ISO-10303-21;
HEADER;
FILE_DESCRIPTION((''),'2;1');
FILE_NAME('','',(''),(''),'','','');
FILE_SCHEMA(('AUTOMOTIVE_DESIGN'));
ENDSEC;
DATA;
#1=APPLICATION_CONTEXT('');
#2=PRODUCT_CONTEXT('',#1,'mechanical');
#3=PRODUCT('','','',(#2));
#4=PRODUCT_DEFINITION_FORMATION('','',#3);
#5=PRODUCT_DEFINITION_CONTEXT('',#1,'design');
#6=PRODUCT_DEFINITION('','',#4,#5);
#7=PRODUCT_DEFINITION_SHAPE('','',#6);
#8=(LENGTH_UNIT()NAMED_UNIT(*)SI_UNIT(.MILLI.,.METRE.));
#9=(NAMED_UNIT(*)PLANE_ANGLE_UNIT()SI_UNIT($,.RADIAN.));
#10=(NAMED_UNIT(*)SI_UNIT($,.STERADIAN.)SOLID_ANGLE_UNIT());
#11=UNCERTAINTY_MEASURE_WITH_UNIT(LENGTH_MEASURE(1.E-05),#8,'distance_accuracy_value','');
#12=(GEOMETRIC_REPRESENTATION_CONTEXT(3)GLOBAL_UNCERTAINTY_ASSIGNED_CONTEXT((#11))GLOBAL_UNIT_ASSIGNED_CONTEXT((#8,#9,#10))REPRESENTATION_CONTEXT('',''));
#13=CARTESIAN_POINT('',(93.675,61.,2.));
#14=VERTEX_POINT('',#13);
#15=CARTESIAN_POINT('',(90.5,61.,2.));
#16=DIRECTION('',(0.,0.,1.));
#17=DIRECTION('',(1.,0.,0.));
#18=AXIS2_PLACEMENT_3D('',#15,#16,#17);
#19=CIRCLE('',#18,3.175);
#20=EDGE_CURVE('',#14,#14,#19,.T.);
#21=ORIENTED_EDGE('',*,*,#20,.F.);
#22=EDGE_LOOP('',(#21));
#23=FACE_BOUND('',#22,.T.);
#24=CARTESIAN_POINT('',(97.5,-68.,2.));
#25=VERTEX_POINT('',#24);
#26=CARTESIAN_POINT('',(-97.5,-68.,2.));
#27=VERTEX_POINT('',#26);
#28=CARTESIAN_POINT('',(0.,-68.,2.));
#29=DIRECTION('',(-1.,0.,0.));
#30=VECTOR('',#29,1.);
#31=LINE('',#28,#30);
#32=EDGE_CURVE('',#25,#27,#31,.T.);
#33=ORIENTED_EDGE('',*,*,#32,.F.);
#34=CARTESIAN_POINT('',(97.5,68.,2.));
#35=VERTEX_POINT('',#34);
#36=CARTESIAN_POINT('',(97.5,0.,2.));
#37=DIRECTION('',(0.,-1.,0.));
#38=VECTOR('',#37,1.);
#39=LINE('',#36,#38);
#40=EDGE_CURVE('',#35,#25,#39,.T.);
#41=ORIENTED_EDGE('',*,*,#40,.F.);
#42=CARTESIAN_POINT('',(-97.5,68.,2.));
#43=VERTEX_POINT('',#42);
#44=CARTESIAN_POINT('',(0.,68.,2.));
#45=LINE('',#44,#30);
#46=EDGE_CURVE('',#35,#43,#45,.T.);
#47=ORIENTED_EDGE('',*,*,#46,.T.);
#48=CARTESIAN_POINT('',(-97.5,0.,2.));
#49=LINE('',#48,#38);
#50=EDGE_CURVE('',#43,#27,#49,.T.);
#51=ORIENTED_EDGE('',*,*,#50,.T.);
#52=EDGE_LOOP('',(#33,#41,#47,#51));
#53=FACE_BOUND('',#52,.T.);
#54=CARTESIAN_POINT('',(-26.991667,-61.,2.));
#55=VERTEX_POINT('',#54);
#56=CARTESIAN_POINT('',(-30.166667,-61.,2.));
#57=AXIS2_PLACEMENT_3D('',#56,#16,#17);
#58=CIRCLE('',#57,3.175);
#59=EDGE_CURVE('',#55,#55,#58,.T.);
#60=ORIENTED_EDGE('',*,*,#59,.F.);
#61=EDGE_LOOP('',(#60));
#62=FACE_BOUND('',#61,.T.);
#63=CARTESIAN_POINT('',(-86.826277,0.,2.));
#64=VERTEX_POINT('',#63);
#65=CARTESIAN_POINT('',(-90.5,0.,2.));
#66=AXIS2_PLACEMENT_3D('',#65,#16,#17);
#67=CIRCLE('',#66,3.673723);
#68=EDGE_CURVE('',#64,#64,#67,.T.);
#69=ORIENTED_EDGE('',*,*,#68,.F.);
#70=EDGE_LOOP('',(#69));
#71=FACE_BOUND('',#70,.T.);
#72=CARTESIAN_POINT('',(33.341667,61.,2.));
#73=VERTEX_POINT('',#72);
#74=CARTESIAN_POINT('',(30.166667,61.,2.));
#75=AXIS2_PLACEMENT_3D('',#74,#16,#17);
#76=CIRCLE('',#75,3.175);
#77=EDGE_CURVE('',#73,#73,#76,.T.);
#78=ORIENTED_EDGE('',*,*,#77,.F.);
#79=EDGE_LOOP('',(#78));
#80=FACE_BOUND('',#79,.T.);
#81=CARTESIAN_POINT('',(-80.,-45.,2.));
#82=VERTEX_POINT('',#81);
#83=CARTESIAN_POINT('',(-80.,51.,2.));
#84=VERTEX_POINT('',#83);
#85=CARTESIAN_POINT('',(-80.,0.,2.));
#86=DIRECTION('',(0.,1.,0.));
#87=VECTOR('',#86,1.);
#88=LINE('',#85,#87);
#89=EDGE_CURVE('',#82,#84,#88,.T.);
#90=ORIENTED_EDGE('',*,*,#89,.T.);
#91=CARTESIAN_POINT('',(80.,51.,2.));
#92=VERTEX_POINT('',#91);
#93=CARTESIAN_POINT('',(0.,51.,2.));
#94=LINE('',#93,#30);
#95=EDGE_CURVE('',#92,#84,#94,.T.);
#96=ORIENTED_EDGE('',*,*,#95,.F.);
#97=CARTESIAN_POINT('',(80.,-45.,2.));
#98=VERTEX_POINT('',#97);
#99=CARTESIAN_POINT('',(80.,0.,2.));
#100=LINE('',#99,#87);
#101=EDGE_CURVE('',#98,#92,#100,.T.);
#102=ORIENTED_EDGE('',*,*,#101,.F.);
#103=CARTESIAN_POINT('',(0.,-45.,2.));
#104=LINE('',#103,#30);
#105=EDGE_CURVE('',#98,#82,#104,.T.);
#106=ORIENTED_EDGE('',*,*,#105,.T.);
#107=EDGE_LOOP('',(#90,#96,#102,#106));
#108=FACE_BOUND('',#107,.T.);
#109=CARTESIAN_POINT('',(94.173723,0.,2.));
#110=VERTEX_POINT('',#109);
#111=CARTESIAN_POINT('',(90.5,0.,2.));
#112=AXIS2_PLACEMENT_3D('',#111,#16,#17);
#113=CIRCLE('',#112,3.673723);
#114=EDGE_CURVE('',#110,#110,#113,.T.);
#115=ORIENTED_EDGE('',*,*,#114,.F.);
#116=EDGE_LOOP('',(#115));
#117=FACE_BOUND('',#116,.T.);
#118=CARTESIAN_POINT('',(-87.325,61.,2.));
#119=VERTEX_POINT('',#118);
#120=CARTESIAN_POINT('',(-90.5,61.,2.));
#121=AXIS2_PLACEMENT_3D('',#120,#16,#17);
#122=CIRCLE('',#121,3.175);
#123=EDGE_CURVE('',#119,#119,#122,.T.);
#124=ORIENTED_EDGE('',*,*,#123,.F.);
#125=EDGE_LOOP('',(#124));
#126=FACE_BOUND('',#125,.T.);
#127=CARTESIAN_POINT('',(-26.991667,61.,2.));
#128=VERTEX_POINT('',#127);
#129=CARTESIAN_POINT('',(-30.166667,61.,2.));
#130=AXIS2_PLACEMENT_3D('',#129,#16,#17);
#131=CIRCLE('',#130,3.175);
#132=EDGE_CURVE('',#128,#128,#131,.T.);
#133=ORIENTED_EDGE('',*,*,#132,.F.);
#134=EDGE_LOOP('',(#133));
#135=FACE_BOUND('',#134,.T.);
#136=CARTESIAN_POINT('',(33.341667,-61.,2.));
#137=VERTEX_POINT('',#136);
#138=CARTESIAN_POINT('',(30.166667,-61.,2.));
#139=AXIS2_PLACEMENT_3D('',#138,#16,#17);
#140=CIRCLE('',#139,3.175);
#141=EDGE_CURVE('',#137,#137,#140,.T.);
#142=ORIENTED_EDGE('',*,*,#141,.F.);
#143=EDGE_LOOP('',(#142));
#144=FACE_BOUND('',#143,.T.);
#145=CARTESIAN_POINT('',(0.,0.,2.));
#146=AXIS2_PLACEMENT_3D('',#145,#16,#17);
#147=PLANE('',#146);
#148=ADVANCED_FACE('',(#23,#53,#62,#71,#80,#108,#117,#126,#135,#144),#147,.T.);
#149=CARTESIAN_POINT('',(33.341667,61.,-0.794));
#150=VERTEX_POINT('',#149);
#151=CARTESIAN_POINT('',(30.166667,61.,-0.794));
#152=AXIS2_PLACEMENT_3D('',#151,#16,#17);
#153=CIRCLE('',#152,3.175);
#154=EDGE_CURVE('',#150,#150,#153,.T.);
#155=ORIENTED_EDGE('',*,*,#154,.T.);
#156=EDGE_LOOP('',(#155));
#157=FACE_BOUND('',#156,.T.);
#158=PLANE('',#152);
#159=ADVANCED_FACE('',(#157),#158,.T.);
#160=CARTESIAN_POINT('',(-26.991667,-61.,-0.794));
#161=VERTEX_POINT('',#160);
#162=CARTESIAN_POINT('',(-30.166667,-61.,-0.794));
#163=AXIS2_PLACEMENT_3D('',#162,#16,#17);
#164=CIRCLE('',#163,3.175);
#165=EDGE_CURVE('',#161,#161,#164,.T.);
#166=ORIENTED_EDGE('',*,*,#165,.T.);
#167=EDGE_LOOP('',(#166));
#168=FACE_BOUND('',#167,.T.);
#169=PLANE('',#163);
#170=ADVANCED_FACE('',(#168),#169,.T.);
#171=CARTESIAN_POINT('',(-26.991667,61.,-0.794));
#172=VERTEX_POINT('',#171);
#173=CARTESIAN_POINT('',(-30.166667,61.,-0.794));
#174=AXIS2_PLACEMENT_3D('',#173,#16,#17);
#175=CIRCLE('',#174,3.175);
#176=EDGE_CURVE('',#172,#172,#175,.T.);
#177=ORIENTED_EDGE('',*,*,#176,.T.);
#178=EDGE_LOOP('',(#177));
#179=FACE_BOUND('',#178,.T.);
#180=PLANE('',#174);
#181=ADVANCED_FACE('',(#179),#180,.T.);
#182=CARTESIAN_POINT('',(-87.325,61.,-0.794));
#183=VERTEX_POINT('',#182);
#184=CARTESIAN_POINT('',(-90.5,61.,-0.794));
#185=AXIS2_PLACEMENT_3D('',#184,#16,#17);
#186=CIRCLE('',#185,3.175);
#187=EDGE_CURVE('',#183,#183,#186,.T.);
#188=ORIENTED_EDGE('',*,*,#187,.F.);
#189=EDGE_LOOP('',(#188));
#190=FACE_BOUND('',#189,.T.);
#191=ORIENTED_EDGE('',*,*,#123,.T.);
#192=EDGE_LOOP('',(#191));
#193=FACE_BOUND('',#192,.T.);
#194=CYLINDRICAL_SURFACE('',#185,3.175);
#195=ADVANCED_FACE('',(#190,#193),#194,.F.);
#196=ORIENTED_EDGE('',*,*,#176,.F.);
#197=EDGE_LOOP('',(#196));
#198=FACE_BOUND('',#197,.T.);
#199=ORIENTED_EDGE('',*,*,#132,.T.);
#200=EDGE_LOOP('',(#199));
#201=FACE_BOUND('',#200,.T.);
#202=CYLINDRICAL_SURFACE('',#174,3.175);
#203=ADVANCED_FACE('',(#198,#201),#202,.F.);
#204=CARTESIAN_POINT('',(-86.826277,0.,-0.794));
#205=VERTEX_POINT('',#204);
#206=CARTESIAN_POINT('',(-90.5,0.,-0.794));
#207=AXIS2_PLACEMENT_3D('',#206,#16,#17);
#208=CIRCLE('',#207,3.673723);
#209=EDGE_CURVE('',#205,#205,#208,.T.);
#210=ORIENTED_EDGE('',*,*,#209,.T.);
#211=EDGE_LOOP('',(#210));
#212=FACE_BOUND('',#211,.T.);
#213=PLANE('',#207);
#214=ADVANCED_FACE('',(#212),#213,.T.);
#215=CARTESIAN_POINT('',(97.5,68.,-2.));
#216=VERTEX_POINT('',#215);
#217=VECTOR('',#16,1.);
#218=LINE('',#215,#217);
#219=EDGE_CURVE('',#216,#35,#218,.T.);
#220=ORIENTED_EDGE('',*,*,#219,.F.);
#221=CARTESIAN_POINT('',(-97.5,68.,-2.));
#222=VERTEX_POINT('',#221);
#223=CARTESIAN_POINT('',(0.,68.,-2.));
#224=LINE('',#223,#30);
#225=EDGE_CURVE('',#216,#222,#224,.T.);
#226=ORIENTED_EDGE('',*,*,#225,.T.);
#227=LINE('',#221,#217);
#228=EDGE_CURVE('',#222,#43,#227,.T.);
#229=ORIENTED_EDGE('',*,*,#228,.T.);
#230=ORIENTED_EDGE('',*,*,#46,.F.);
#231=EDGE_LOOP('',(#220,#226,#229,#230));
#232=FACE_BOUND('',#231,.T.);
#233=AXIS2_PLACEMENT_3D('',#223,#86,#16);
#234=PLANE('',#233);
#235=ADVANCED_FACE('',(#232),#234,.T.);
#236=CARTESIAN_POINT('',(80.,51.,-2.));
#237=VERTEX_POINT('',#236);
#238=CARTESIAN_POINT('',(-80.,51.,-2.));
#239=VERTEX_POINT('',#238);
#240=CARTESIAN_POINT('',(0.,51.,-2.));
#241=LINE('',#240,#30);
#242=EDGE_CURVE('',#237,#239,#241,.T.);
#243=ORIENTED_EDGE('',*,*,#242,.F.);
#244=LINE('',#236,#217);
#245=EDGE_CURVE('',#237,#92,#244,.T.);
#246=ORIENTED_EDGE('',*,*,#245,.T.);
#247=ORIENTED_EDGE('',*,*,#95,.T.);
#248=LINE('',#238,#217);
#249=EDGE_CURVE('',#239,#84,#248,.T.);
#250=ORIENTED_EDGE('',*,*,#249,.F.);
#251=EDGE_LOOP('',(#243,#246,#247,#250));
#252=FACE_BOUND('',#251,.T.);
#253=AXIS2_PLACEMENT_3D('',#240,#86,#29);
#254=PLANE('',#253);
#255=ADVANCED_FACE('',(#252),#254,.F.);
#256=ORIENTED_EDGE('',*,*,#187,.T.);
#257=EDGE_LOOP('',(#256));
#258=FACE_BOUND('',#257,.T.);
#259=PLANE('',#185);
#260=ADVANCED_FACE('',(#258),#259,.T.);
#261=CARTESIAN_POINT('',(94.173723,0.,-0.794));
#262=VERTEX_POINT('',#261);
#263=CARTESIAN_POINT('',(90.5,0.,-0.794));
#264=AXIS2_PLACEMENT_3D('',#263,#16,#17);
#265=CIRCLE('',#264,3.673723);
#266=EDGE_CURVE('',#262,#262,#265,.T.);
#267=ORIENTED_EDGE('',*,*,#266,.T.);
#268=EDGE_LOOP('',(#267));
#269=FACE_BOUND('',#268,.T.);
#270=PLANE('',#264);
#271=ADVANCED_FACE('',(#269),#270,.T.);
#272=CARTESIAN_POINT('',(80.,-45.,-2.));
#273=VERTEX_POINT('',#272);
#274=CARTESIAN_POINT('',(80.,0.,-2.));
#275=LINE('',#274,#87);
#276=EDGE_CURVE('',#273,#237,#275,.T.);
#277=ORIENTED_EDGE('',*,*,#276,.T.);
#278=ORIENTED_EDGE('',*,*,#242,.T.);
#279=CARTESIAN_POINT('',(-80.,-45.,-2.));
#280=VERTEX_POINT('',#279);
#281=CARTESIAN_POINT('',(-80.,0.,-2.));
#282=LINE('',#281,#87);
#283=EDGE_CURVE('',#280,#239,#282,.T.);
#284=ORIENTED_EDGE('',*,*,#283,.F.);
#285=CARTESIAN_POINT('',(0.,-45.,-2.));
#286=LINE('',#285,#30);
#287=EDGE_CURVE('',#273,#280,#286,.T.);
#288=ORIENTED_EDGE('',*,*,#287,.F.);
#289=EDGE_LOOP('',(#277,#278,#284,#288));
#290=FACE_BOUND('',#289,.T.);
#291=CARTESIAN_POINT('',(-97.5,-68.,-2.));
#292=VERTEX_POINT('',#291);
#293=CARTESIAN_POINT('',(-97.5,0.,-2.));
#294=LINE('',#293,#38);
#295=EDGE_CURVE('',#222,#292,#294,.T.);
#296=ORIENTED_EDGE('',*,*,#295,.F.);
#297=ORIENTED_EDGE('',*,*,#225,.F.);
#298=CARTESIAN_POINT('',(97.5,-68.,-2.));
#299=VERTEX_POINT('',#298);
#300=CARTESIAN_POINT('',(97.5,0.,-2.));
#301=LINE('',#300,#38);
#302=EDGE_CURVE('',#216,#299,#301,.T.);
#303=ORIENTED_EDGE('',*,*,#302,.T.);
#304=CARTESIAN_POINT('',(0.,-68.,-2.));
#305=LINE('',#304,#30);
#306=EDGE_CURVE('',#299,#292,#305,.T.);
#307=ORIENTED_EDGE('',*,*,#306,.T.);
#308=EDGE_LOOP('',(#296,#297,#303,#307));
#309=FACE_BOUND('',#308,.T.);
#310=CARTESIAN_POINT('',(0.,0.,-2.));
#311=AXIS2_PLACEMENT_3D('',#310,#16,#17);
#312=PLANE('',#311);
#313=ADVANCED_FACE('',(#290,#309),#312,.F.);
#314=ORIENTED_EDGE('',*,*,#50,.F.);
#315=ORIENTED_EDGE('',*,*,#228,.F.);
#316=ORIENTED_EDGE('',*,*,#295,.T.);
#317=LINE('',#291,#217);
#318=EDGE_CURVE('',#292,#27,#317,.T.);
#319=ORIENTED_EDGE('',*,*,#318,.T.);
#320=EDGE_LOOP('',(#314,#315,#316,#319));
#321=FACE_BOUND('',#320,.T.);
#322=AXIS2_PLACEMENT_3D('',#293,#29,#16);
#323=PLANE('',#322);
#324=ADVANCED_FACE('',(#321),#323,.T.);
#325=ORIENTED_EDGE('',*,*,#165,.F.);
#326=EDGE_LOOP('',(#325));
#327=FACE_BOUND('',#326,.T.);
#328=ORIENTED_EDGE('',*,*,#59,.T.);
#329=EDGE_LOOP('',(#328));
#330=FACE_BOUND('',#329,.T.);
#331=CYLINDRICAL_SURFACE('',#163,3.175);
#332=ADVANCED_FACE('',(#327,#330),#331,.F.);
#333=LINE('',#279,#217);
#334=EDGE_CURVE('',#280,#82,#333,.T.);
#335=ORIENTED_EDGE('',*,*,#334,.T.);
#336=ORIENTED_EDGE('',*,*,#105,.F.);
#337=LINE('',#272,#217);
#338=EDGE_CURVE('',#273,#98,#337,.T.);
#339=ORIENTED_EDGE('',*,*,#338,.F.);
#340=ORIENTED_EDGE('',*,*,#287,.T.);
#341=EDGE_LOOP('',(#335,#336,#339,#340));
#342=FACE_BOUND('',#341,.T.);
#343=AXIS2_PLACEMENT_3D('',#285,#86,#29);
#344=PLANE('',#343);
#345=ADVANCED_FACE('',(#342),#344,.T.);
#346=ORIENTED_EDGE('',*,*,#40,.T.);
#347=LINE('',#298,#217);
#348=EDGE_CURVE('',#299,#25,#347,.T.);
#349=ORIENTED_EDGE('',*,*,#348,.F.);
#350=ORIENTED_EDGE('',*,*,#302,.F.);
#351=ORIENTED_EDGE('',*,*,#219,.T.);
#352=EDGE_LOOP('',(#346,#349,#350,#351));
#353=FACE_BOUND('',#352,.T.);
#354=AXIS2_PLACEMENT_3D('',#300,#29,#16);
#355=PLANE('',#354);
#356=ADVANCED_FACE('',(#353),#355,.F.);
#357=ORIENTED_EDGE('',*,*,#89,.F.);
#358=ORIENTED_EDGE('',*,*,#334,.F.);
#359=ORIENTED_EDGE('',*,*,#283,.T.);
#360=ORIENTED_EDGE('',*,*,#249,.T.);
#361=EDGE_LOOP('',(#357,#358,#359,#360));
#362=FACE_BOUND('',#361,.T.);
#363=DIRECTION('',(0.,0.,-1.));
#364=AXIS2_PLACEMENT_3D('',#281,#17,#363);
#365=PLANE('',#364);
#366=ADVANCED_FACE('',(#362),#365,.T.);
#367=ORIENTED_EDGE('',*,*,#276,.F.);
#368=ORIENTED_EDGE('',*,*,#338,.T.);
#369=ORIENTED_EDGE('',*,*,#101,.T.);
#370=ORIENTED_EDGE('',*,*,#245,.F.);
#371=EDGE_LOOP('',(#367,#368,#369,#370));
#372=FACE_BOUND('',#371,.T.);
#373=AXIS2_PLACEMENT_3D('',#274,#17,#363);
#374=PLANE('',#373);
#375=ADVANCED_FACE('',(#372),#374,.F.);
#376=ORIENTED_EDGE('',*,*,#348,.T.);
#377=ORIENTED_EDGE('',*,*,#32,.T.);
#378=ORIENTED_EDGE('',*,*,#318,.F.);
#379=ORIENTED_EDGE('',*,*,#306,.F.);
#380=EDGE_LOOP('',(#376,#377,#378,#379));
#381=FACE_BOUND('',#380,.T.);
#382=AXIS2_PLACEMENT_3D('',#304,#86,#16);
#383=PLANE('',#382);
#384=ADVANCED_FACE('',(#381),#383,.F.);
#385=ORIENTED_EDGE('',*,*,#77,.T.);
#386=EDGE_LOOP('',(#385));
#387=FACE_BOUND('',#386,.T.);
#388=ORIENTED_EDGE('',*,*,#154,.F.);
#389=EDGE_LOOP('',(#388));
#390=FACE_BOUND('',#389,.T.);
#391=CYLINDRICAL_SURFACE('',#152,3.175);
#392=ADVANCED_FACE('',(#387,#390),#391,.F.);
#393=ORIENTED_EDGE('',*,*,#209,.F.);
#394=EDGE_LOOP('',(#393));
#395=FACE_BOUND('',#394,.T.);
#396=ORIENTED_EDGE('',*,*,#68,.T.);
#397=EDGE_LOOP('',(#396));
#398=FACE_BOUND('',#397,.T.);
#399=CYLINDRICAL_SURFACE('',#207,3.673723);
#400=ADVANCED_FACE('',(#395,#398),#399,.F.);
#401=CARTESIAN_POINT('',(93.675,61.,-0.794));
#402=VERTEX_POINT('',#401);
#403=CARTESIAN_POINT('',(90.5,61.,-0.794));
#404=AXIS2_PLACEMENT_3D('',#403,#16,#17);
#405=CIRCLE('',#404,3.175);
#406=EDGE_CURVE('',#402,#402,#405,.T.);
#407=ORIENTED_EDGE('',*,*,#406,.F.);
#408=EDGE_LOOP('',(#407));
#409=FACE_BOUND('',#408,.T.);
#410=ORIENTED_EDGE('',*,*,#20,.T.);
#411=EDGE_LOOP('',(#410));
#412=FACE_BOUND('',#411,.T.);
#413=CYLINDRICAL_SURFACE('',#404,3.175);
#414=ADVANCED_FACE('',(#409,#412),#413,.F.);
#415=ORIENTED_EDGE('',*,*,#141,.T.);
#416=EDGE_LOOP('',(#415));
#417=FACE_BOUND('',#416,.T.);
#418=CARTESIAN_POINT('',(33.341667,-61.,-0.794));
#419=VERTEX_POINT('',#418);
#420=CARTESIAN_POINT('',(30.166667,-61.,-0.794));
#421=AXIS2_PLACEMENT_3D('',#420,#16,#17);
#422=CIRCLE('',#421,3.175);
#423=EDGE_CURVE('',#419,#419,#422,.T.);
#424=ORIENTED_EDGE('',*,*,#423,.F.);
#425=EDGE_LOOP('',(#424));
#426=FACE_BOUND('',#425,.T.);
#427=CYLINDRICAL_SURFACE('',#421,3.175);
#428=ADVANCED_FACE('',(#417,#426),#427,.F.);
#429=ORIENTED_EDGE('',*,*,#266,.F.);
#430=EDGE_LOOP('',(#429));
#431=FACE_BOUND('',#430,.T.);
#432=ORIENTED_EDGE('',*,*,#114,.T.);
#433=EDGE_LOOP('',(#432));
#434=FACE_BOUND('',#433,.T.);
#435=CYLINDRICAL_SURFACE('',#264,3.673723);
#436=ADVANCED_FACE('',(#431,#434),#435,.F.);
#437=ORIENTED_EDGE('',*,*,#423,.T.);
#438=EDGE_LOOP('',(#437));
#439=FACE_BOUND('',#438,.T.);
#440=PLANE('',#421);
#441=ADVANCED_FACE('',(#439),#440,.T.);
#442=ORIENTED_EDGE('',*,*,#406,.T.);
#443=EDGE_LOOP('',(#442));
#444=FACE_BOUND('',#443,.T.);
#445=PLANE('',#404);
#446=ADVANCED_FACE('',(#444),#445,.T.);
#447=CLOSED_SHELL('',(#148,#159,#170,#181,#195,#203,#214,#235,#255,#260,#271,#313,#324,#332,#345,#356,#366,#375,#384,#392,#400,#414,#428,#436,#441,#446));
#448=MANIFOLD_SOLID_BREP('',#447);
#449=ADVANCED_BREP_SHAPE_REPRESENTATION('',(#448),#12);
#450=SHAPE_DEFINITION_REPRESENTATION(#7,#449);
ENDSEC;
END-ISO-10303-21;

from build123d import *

# Parameters (mm, degrees)
SKETCH1_W           = 195
SKETCH1_H           = 136
SKETCH1_W_2         = 160
SKETCH1_H_2         = 96
BOSS_EXTRUDE1_DEPTH = 2
SKETCH1_3_W         = 195
SKETCH1_3_H         = 136
SKETCH1_3_W_2       = 160
SKETCH1_3_H_2       = 96
BOSS_EXTRUDE2_DEPTH = 2
SKETCH2_R           = 3.175
SKETCH2_R_2         = 3.673722566
CUT_EXTRUDE1_DEPTH  = 2.794


with BuildPart() as part:
    # Sketch1 → Boss-Extrude1 (new body)
    with BuildSketch(Plane.XY):
        Rectangle(SKETCH1_W, SKETCH1_H)
        with Locations((0, 3)):
            Rectangle(SKETCH1_W_2, SKETCH1_H_2, mode=Mode.SUBTRACT)
    extrude(amount=-BOSS_EXTRUDE1_DEPTH)

    # Sketch1<3> → Boss-Extrude2 (add)
    with BuildSketch(Plane.XY):
        Rectangle(SKETCH1_3_W, SKETCH1_3_H)
        with Locations((0, 3)):
            Rectangle(SKETCH1_3_W_2, SKETCH1_3_H_2, mode=Mode.SUBTRACT)
    extrude(amount=BOSS_EXTRUDE2_DEPTH)

    # Sketch2 → Cut-Extrude1 (cut)
    with BuildSketch(Plane.XY.offset(2)):
        with Locations((-90.5, 61)):
            Circle(SKETCH2_R)
        with Locations((90.5, 61)):
            Circle(SKETCH2_R)
        with Locations((-30.166666667, -61)):
            Circle(SKETCH2_R)
        with Locations((30.166666667, -61)):
            Circle(SKETCH2_R)
        with Locations((90.5, 0)):
            Circle(SKETCH2_R_2)
        with Locations((-30.166666667, 61)):
            Circle(SKETCH2_R)
        with Locations((30.166666667, 61)):
            Circle(SKETCH2_R)
        with Locations((-90.5, 0)):
            Circle(SKETCH2_R_2)
    extrude(amount=-CUT_EXTRUDE1_DEPTH, mode=Mode.SUBTRACT)


solid = part.part
